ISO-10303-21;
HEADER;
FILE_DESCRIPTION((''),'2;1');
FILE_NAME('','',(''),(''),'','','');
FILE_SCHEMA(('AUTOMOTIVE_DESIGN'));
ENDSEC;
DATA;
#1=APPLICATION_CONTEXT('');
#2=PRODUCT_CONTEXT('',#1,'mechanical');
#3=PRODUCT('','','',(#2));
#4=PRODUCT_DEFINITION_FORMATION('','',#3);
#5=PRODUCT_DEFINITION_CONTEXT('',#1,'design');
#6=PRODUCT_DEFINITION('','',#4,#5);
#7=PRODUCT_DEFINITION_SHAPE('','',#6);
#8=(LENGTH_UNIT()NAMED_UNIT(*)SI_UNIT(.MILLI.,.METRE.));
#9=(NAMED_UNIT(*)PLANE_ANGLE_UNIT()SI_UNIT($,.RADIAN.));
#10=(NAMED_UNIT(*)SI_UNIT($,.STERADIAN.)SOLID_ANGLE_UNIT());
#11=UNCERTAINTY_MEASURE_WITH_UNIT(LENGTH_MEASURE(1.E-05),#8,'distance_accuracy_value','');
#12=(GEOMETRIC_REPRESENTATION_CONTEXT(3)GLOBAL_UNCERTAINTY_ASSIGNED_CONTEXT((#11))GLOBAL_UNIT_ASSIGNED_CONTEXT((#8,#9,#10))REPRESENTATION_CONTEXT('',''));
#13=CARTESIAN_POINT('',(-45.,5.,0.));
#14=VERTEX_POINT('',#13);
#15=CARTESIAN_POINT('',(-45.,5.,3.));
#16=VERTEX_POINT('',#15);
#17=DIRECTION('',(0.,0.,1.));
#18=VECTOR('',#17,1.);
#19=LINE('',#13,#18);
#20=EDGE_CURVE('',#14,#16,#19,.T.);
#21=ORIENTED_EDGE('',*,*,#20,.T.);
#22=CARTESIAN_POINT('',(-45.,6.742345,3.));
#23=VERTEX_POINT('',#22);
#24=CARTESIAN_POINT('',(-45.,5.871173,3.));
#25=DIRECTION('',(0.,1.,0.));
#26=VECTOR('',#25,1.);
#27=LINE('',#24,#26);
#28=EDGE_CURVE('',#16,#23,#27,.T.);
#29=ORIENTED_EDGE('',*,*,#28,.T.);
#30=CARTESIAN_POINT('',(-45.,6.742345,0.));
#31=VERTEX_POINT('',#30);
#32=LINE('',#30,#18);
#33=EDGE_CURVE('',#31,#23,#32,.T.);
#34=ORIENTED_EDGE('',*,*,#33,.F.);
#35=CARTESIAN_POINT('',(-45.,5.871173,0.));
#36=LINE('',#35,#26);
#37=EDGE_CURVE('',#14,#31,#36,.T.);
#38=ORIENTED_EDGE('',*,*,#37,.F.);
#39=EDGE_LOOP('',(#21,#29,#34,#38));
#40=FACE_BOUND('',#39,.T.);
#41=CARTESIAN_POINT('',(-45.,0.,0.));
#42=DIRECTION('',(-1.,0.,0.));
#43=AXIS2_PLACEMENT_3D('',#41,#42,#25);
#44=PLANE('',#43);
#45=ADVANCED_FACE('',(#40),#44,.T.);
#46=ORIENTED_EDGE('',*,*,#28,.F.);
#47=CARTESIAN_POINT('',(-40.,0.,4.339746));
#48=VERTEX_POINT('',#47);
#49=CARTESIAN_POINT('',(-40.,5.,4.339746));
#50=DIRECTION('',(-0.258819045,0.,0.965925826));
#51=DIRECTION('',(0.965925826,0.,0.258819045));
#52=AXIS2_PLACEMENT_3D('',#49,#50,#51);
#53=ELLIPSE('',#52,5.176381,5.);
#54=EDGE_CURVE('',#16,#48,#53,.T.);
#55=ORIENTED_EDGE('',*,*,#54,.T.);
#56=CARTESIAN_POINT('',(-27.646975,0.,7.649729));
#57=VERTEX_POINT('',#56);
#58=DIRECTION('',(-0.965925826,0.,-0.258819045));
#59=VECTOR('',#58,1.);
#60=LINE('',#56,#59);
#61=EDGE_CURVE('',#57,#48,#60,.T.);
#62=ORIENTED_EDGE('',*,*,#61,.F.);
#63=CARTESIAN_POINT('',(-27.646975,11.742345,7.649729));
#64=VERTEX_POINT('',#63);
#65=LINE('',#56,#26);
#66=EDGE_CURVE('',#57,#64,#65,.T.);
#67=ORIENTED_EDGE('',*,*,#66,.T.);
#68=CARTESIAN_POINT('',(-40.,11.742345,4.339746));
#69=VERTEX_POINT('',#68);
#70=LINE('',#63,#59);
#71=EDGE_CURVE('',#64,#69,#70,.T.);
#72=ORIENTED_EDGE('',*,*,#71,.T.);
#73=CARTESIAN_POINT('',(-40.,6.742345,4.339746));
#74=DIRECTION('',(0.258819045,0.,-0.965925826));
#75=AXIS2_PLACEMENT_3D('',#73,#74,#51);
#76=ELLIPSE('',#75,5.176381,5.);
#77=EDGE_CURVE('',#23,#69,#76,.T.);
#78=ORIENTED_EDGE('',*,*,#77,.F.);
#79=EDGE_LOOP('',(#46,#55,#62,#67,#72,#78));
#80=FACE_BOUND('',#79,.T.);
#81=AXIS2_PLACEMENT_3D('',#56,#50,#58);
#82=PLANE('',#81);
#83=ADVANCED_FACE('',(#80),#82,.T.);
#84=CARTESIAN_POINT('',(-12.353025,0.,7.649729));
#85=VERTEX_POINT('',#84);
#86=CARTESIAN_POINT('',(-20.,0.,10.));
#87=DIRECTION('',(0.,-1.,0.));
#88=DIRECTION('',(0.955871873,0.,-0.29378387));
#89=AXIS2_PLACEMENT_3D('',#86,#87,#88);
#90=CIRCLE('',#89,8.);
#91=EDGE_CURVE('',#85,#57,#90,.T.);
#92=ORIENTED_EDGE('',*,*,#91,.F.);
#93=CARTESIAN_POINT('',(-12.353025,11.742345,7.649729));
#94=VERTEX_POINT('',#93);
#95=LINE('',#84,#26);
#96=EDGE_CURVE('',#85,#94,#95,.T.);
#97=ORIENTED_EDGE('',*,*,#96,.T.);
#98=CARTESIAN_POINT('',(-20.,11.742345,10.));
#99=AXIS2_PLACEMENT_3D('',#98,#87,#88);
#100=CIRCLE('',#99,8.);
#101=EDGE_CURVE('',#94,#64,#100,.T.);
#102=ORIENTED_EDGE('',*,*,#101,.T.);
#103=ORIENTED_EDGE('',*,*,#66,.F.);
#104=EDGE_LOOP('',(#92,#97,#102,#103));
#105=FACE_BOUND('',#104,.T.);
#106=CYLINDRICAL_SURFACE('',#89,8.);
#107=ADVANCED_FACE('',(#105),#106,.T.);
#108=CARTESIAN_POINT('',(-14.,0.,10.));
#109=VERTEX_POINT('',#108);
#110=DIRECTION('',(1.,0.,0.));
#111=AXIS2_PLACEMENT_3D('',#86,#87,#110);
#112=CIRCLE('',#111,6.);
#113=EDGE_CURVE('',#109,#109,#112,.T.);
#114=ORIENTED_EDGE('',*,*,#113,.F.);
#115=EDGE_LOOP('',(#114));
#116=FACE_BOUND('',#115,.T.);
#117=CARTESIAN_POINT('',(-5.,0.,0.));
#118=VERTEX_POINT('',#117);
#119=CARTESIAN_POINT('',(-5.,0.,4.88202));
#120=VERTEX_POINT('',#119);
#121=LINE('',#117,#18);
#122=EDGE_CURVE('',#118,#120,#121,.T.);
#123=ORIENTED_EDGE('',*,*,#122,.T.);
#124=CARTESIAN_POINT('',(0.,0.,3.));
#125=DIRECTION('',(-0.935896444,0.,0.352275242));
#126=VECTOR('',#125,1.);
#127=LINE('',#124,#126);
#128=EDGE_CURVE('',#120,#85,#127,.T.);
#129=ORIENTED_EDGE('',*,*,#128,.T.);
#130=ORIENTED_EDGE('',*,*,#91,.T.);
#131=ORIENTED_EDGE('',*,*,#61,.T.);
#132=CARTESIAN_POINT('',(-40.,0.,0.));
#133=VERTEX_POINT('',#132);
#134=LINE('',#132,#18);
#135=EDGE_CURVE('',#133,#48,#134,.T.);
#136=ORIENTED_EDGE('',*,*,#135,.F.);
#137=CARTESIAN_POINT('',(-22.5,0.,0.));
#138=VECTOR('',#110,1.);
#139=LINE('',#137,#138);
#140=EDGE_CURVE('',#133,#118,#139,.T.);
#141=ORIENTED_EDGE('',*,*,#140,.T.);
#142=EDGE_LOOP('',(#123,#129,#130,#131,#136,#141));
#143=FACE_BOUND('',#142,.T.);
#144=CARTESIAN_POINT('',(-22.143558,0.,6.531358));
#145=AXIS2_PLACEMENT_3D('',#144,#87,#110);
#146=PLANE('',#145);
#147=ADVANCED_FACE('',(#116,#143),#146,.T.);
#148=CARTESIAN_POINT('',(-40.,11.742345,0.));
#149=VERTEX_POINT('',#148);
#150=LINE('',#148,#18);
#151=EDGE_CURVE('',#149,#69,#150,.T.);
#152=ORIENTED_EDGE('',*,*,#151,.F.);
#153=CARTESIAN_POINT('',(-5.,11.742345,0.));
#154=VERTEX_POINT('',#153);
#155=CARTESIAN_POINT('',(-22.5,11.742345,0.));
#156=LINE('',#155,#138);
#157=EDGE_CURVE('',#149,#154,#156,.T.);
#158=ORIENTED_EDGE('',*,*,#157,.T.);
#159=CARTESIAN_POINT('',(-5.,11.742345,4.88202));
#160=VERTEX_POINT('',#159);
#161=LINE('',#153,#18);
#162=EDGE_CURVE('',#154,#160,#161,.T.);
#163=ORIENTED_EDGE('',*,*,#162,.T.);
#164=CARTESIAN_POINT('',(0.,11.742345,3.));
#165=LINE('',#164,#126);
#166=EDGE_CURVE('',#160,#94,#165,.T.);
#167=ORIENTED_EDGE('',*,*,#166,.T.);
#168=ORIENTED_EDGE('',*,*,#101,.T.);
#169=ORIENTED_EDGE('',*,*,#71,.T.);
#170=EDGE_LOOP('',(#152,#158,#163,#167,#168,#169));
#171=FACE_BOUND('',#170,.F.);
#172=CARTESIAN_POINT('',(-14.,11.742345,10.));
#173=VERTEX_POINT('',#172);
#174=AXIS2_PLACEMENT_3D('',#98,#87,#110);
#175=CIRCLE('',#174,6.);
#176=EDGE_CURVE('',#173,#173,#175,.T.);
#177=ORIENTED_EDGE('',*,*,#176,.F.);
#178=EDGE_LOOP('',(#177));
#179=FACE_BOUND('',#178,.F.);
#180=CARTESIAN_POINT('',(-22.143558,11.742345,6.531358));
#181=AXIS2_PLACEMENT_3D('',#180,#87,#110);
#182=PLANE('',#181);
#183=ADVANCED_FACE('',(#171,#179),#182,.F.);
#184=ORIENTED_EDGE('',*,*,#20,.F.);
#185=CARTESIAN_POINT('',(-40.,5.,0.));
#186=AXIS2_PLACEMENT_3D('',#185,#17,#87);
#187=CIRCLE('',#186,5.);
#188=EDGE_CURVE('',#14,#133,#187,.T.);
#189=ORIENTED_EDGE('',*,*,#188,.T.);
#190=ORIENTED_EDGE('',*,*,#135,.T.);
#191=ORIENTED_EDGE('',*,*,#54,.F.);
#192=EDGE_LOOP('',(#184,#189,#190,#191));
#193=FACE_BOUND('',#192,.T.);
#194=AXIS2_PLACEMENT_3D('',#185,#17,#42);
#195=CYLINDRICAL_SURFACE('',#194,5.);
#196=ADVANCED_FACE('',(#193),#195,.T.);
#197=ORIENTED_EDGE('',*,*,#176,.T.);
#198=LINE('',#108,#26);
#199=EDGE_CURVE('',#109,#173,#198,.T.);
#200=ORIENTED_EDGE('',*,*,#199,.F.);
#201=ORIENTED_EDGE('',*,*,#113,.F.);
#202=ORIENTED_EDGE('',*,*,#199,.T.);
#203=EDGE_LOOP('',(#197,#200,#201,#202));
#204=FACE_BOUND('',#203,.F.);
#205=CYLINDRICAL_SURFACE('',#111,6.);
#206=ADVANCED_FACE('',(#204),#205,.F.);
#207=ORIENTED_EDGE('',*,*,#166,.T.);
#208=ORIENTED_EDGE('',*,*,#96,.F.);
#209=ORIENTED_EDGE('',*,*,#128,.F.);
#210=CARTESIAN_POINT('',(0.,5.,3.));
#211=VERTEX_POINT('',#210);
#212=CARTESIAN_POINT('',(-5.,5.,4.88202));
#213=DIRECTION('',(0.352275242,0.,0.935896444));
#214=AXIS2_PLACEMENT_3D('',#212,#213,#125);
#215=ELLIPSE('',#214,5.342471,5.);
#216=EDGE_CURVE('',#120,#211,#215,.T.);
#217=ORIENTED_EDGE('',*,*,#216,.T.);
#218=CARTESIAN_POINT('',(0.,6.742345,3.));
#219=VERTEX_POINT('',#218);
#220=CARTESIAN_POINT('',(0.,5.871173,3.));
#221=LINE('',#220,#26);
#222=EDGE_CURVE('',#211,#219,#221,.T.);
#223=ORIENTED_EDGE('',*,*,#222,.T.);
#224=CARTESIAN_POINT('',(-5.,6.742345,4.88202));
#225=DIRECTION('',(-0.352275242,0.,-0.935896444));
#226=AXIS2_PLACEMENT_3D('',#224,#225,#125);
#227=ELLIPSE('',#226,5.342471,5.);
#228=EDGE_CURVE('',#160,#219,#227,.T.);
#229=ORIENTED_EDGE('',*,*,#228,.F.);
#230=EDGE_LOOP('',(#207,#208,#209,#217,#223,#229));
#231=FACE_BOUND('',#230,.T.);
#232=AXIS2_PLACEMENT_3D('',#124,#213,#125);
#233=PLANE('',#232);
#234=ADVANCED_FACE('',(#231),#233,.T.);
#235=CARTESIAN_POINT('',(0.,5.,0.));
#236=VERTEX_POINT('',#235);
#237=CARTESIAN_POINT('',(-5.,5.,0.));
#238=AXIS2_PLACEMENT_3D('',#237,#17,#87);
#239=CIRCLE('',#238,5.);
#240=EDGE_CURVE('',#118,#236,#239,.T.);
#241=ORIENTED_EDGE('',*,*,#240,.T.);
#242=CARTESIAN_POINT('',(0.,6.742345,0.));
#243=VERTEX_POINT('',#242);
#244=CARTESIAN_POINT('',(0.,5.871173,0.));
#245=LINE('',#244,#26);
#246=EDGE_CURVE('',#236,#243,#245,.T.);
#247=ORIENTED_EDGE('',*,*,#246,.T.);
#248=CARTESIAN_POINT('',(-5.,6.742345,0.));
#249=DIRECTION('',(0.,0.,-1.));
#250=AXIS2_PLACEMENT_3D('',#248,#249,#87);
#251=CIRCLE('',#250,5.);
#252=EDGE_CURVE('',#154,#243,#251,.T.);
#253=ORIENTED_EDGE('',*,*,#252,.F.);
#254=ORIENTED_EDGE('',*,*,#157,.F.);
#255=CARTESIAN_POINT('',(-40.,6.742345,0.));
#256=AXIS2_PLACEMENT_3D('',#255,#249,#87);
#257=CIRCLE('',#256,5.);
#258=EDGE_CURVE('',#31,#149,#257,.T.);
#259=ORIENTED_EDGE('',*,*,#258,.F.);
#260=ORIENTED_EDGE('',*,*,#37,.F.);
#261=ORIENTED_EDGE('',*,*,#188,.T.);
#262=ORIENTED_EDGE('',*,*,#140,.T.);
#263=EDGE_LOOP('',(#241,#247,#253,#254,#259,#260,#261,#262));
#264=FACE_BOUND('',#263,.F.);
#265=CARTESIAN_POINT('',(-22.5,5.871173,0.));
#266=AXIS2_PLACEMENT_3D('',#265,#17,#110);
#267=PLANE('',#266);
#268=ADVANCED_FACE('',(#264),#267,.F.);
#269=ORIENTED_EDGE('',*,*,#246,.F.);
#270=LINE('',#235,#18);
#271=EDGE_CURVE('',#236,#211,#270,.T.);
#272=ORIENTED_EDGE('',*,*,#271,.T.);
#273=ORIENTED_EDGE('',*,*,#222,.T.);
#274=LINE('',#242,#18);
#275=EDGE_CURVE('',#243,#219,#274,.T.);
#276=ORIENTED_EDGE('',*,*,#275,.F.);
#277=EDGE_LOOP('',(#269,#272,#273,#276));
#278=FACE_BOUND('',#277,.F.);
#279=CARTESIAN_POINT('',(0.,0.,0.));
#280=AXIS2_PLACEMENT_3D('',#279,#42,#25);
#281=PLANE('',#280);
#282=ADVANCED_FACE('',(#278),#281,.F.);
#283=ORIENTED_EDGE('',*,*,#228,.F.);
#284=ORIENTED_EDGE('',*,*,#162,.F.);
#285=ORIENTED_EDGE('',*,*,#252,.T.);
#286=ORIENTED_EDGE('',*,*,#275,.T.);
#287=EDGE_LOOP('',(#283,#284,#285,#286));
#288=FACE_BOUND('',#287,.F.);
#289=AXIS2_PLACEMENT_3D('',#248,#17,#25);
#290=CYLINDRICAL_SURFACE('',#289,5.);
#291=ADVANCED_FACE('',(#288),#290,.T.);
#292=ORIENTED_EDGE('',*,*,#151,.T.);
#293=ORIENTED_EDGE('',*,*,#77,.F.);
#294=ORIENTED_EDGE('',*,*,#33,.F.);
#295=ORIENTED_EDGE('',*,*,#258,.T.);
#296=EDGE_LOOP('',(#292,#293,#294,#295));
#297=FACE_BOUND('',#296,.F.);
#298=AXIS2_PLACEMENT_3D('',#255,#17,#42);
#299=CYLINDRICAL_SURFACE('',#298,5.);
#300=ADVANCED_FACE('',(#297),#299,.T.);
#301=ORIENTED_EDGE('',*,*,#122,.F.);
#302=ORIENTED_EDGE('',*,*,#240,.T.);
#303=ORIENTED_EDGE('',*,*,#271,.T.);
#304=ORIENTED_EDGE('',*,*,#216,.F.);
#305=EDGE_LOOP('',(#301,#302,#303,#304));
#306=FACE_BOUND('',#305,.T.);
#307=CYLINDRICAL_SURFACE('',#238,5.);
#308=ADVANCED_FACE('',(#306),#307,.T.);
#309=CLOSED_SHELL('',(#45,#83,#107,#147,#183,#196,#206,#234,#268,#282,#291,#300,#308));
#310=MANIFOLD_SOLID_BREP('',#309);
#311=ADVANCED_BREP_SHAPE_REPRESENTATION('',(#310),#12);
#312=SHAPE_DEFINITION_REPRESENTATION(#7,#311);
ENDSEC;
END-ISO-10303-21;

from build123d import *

# Parameters (mm, degrees)
F0_W     = 45
F0_H     = 11.742345
F1_DEPTH = 3
F2_R     = 6
F3_DEPTH = 11.742345
F4_R     = 5


with BuildPart() as f1:
    # F0 (on Top) → F1 (new body)
    with BuildSketch(Plane.XY):
        with Locations((-22.5, 5.8711725)):
            Rectangle(F0_W, F0_H)
    extrude(amount=F1_DEPTH)

    # F2 (on Front) → F3 (join)
    with BuildSketch(Plane.XZ):
        with BuildLine():
            Line((-45, 3), (0, 3))
            Line((0, 3), (-12.3530250157, 7.6497290392))
            ThreePointArc((-12.3530250157, 7.6497290392), (-20, 18), (-27.6469749843, 7.6497290392))
            Line((-27.6469749843, 7.6497290392), (-45, 3))
        make_face()
        with Locations((-20, 10)):
            Circle(F2_R, mode=Mode.SUBTRACT)
    extrude(amount=-F3_DEPTH)

    # F4
    f4_edges = [f1.edges().sort_by_distance(p)[0] for p in [
        (-45, 0, 1.5),
        (0, 0, 1.5),
        (0, 11.742345, 1.5),
        (-45, 11.742345, 1.5),
    ]]
    fillet(f4_edges, radius=F4_R)


solid = f1.part
